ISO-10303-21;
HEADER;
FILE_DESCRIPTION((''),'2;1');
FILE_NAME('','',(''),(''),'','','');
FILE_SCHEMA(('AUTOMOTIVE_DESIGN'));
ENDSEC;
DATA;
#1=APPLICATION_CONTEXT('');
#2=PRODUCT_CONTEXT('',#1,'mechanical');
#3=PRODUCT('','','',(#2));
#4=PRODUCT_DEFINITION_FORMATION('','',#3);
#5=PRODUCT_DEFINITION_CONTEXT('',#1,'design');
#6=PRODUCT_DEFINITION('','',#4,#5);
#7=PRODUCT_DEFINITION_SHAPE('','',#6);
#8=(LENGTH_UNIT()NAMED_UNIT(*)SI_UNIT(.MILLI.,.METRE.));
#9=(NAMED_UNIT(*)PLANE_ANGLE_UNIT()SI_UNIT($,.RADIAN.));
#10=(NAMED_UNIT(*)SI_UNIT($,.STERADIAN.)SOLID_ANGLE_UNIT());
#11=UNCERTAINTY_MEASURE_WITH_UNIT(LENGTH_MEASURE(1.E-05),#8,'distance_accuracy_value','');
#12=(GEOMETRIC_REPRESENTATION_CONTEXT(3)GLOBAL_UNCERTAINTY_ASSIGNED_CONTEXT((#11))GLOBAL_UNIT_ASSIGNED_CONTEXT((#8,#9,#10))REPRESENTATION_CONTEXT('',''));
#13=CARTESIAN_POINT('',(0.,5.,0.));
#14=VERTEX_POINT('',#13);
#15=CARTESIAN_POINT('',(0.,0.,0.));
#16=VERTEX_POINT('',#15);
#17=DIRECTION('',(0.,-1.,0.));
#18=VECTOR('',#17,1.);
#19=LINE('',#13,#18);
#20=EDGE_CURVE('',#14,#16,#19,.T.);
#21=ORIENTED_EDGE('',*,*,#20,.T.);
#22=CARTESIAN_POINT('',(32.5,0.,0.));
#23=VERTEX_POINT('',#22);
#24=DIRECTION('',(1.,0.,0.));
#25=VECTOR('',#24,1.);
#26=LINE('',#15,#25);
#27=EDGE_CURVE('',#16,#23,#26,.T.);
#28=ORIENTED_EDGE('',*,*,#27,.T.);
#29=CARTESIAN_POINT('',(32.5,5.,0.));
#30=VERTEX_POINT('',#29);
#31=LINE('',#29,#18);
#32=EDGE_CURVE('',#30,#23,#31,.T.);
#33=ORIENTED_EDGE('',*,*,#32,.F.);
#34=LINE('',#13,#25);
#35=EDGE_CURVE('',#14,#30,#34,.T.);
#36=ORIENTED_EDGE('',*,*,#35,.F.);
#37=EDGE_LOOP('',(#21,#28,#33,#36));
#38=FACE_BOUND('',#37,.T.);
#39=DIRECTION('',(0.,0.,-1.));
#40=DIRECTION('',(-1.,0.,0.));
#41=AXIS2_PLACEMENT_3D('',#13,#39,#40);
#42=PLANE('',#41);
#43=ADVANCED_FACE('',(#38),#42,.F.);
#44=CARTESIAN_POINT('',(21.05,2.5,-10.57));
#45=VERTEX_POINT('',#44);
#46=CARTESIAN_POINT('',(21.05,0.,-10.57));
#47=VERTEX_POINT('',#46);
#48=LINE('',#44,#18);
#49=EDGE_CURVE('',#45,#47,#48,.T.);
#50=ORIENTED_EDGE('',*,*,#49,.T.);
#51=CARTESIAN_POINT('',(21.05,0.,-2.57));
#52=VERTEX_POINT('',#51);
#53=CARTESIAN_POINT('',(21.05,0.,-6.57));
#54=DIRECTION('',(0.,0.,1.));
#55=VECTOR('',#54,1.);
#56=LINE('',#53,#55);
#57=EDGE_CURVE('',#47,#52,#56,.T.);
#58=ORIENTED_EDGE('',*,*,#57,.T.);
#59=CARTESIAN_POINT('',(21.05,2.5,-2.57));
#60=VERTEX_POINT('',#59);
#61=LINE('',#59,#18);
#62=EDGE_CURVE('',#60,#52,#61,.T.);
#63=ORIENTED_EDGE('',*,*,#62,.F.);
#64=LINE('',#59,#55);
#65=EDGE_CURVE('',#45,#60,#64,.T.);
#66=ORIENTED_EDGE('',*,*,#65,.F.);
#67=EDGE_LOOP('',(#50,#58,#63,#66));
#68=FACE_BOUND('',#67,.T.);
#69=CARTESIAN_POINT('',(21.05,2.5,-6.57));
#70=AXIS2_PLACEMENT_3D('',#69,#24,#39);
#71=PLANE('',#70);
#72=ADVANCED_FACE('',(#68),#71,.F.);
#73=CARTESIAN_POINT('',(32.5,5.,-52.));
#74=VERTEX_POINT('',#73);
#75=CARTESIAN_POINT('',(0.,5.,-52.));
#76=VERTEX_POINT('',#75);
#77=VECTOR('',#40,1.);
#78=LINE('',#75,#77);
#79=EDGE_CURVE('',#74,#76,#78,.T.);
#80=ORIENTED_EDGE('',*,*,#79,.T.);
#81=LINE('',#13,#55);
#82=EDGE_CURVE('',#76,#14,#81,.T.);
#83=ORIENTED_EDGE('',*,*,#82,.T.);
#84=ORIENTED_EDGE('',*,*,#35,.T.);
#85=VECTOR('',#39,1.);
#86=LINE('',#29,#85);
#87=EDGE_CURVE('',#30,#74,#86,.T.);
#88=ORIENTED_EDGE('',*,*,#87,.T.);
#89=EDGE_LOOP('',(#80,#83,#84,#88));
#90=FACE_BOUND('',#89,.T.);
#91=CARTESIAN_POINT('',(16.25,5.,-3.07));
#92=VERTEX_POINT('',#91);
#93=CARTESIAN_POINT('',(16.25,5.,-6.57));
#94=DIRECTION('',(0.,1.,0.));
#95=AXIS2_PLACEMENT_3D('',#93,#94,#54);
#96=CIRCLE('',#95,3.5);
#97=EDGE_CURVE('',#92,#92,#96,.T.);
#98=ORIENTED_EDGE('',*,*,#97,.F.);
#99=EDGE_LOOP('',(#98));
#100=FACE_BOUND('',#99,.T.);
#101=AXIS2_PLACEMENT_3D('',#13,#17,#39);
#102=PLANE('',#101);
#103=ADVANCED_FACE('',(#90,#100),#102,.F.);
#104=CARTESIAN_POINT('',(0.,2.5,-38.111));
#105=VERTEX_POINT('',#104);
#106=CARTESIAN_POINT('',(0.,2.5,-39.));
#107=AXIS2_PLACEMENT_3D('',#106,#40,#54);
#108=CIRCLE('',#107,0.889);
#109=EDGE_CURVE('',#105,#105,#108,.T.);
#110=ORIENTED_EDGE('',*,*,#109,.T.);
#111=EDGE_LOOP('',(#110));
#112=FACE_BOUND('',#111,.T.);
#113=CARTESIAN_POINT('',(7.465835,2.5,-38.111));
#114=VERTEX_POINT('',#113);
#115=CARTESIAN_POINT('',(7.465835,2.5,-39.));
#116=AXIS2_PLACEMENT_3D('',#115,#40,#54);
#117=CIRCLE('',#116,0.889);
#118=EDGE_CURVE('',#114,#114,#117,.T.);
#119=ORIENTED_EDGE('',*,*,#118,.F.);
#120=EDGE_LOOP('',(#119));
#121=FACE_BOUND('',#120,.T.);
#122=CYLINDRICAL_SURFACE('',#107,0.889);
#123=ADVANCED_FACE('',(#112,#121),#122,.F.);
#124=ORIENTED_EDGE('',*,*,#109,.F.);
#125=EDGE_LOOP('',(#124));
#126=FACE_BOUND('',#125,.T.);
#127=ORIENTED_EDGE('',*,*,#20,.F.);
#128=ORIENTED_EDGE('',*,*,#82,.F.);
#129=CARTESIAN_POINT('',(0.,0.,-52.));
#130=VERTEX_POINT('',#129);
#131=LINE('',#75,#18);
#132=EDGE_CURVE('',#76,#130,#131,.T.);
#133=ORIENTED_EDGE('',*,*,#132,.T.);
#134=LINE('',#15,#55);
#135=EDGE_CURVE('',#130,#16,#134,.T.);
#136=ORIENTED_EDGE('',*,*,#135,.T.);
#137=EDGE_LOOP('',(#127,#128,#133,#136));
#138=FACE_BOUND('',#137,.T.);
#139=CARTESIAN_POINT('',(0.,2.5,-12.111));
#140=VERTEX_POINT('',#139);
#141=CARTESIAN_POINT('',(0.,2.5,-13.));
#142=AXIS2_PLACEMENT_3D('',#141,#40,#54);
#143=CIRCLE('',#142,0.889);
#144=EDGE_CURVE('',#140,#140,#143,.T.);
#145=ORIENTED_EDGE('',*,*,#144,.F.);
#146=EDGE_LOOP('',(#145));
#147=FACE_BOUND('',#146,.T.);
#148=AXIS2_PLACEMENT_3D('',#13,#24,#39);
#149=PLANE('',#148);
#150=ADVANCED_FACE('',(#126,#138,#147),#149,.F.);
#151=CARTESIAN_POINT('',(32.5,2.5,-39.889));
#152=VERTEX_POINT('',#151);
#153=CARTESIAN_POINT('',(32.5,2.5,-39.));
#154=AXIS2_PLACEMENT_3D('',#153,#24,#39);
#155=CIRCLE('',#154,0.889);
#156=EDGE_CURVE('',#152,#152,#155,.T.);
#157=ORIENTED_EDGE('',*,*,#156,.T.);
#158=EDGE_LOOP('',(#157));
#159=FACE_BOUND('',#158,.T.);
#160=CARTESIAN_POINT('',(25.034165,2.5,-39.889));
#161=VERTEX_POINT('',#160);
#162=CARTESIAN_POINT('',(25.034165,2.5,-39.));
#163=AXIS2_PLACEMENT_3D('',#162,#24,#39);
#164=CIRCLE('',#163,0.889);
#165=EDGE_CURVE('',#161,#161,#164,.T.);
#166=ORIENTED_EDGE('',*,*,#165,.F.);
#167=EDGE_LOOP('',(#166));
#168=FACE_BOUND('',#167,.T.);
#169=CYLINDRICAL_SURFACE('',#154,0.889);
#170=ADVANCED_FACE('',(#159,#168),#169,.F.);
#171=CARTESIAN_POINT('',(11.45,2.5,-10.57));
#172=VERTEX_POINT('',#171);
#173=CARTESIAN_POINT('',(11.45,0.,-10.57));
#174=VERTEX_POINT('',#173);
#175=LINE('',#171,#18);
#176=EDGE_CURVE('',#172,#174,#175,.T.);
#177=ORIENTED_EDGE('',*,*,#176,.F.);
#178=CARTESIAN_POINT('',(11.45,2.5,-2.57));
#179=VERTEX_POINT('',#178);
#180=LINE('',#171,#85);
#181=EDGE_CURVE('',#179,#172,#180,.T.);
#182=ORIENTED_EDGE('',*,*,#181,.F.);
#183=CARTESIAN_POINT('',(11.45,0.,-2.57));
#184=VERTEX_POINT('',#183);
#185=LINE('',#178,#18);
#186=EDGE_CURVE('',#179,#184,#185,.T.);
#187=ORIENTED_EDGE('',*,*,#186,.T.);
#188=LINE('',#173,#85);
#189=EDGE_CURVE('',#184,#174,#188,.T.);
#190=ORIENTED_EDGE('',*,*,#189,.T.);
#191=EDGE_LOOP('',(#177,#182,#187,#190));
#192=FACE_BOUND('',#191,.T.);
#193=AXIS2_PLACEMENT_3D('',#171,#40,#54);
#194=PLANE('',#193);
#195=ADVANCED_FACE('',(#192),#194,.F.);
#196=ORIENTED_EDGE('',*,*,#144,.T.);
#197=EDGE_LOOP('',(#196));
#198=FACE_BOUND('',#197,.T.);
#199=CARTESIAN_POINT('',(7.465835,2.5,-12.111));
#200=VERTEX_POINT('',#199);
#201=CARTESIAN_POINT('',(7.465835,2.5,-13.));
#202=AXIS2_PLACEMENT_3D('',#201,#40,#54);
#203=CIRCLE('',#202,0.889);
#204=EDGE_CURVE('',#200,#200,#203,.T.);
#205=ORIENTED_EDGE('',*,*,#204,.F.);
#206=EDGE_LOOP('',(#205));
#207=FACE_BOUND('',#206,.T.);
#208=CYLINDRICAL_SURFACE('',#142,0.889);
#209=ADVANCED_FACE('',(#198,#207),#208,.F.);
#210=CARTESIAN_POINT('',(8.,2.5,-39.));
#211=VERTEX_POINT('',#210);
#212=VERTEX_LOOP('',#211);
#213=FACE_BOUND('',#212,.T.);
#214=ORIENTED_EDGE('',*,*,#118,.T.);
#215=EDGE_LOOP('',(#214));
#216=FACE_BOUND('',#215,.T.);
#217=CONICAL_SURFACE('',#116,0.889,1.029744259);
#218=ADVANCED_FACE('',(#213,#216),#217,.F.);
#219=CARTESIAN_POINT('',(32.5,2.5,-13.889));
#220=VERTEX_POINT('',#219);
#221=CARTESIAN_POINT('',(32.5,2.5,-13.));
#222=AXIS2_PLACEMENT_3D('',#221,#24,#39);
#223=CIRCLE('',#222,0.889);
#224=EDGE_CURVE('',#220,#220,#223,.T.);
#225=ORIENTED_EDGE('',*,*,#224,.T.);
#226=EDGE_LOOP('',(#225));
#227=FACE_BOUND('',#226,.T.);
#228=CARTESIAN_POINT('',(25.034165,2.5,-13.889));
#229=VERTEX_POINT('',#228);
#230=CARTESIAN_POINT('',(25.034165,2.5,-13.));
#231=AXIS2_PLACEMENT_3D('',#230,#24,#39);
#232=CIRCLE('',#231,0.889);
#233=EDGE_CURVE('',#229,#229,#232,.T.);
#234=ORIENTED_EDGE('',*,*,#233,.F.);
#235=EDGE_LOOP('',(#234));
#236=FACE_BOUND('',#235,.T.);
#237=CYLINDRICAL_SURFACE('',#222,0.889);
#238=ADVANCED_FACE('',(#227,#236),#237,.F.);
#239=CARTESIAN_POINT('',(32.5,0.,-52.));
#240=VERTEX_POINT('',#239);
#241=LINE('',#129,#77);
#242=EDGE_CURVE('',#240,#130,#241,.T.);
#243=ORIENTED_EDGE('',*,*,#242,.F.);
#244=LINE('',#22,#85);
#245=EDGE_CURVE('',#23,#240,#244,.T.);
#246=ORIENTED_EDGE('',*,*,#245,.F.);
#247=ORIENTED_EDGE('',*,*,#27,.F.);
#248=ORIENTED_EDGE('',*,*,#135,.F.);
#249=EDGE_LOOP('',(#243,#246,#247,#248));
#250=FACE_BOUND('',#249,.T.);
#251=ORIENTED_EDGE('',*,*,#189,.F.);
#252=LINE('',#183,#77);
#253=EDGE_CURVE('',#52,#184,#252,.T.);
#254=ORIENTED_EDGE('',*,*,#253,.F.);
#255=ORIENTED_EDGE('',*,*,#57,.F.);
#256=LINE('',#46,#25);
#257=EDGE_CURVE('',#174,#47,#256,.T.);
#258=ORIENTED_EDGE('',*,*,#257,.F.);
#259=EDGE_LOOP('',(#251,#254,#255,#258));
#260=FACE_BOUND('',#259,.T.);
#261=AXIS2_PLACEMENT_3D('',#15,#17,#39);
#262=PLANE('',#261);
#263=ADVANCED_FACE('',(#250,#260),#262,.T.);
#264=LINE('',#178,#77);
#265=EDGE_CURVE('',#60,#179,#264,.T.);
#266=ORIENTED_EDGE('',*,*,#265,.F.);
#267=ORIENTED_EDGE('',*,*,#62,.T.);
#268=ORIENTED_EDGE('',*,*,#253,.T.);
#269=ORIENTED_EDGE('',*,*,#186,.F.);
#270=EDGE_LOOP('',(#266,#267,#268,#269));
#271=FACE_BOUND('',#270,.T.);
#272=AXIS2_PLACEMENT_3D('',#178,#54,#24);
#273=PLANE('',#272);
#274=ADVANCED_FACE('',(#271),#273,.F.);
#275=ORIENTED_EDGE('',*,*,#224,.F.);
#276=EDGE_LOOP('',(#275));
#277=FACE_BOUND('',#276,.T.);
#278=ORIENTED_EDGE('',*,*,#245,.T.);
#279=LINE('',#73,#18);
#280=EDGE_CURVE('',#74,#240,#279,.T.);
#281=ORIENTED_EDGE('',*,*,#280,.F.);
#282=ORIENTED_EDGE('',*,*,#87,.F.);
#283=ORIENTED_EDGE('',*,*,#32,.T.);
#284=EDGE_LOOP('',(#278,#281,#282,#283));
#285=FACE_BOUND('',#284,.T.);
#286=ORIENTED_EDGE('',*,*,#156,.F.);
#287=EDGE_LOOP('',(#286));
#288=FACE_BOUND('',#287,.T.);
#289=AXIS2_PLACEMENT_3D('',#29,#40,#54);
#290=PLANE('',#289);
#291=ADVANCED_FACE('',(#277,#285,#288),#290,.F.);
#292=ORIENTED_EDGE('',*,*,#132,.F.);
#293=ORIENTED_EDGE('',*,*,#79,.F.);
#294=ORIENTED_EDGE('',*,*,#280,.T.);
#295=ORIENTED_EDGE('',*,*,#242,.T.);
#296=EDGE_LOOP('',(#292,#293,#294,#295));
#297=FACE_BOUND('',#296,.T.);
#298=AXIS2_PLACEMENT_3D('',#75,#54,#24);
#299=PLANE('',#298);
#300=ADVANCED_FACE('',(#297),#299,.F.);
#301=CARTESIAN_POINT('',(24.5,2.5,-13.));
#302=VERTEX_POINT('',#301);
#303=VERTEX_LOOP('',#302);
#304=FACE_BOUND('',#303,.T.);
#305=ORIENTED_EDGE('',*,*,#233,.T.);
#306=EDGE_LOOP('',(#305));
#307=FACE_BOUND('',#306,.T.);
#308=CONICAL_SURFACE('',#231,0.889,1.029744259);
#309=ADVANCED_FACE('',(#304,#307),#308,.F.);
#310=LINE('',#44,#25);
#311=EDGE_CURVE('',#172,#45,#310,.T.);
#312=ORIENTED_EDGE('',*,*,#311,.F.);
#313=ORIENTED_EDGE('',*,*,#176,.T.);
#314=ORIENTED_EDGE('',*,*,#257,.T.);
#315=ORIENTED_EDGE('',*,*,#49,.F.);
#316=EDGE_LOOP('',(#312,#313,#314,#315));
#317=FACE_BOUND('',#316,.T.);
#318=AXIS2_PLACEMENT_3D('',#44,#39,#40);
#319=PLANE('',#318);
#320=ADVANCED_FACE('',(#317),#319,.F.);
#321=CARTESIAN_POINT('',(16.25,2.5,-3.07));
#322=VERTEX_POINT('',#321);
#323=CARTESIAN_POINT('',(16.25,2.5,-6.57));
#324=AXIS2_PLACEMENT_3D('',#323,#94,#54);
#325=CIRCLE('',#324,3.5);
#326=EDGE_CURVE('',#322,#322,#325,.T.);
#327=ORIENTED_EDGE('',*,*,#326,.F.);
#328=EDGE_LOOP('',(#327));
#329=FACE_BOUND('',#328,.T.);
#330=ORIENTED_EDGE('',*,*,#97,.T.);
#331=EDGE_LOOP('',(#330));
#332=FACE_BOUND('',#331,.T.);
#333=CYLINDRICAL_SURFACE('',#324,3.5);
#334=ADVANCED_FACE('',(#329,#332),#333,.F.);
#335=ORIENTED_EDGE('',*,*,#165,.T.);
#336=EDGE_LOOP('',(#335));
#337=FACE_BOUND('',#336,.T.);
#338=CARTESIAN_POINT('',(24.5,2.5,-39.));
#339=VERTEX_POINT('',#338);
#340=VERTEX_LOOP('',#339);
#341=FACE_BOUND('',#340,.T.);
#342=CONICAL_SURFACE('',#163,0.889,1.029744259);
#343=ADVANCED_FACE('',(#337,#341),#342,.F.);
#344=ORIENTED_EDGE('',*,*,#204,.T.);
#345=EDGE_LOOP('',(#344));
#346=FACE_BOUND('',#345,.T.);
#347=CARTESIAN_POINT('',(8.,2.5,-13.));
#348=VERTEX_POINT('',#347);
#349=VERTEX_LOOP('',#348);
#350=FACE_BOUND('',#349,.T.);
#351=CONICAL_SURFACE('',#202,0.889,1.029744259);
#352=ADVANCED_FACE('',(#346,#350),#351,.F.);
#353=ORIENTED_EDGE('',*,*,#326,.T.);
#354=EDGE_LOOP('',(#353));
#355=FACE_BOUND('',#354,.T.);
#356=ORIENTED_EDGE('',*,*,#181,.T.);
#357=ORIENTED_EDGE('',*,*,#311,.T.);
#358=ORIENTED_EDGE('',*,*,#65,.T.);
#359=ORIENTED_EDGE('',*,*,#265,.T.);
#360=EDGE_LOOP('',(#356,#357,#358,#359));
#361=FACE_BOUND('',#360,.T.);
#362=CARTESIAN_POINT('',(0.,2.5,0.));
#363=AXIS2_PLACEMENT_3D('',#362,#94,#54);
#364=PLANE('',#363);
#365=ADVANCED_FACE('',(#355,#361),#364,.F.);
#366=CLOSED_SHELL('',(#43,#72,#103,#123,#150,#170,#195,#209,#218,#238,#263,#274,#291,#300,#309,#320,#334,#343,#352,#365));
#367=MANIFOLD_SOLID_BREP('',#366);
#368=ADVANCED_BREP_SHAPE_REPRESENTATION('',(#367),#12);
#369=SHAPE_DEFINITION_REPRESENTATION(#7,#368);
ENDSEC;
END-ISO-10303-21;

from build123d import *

# Parameters (mm, degrees)
SKETCH1_W                 = 32.5
SKETCH1_H                 = 52
BOSS_EXTRUDE1_DEPTH       = 5
F_2_56_TAPPED_HOLE1_D     = 1.778
F_2_56_TAPPED_HOLE1_DEPTH = 7.46583491
F_2_56_TAPPED_HOLE1_TIP   = 0.53416509
F_2_56_TAPPED_HOLE2_D     = 1.778
F_2_56_TAPPED_HOLE2_DEPTH = 7.46583491
F_2_56_TAPPED_HOLE2_TIP   = 0.53416509
CUT_EXTRUDE2_DEPTH        = 2.5
SKETCH10_R                = 3.5
CUT_EXTRUDE3_DEPTH        = 2.5


with BuildPart() as part:
    # Sketch1 → Boss-Extrude1 (new body)
    with BuildSketch(Plane(origin=(0, 0, 0), x_dir=(1, 0, 0), z_dir=(0, 1, 0))):
        with Locations((16.25, 26)):
            Rectangle(SKETCH1_W, SKETCH1_H)
    extrude(amount=BOSS_EXTRUDE1_DEPTH)

    # #2-56 Tapped Hole1
    with Locations(Plane.ZY):
        with Locations((-39, 2.5), (-13, 2.5)):
            Hole(F_2_56_TAPPED_HOLE1_D / 2, depth=F_2_56_TAPPED_HOLE1_DEPTH)
            with Locations((0, 0, -(F_2_56_TAPPED_HOLE1_DEPTH + F_2_56_TAPPED_HOLE1_TIP / 2))):  # 118° drill point
                Cone(0, F_2_56_TAPPED_HOLE1_D / 2, F_2_56_TAPPED_HOLE1_TIP, mode=Mode.SUBTRACT)

    # #2-56 Tapped Hole2
    with Locations(Plane(origin=(32.5, 0, 0), x_dir=(0, 0, -1), z_dir=(1, 0, 0))):
        with Locations((13, 2.5), (39, 2.5)):
            Hole(F_2_56_TAPPED_HOLE2_D / 2, depth=F_2_56_TAPPED_HOLE2_DEPTH)
            with Locations((0, 0, -(F_2_56_TAPPED_HOLE2_DEPTH + F_2_56_TAPPED_HOLE2_TIP / 2))):  # 118° drill point
                Cone(0, F_2_56_TAPPED_HOLE2_D / 2, F_2_56_TAPPED_HOLE2_TIP, mode=Mode.SUBTRACT)

    # Sketch11 → Cut-Extrude2 (cut)
    with BuildSketch(Plane(origin=(0, 0, 0), x_dir=(-1, 0, 0), z_dir=(0, -1, 0))):
        Polygon((-21.05, 6.57), (-21.05, 10.57), (-11.45, 10.57), (-11.45, 2.57), (-21.05, 2.57), align=None)
    extrude(amount=-CUT_EXTRUDE2_DEPTH, mode=Mode.SUBTRACT)

    # Sketch10 → Cut-Extrude3 (cut)
    with BuildSketch(Plane(origin=(0, 5, 0), x_dir=(1, 0, 0), z_dir=(0, 1, 0))):
        with Locations((16.25, 6.57)):
            Circle(SKETCH10_R)
    extrude(amount=-CUT_EXTRUDE3_DEPTH, mode=Mode.SUBTRACT)


solid = part.part
